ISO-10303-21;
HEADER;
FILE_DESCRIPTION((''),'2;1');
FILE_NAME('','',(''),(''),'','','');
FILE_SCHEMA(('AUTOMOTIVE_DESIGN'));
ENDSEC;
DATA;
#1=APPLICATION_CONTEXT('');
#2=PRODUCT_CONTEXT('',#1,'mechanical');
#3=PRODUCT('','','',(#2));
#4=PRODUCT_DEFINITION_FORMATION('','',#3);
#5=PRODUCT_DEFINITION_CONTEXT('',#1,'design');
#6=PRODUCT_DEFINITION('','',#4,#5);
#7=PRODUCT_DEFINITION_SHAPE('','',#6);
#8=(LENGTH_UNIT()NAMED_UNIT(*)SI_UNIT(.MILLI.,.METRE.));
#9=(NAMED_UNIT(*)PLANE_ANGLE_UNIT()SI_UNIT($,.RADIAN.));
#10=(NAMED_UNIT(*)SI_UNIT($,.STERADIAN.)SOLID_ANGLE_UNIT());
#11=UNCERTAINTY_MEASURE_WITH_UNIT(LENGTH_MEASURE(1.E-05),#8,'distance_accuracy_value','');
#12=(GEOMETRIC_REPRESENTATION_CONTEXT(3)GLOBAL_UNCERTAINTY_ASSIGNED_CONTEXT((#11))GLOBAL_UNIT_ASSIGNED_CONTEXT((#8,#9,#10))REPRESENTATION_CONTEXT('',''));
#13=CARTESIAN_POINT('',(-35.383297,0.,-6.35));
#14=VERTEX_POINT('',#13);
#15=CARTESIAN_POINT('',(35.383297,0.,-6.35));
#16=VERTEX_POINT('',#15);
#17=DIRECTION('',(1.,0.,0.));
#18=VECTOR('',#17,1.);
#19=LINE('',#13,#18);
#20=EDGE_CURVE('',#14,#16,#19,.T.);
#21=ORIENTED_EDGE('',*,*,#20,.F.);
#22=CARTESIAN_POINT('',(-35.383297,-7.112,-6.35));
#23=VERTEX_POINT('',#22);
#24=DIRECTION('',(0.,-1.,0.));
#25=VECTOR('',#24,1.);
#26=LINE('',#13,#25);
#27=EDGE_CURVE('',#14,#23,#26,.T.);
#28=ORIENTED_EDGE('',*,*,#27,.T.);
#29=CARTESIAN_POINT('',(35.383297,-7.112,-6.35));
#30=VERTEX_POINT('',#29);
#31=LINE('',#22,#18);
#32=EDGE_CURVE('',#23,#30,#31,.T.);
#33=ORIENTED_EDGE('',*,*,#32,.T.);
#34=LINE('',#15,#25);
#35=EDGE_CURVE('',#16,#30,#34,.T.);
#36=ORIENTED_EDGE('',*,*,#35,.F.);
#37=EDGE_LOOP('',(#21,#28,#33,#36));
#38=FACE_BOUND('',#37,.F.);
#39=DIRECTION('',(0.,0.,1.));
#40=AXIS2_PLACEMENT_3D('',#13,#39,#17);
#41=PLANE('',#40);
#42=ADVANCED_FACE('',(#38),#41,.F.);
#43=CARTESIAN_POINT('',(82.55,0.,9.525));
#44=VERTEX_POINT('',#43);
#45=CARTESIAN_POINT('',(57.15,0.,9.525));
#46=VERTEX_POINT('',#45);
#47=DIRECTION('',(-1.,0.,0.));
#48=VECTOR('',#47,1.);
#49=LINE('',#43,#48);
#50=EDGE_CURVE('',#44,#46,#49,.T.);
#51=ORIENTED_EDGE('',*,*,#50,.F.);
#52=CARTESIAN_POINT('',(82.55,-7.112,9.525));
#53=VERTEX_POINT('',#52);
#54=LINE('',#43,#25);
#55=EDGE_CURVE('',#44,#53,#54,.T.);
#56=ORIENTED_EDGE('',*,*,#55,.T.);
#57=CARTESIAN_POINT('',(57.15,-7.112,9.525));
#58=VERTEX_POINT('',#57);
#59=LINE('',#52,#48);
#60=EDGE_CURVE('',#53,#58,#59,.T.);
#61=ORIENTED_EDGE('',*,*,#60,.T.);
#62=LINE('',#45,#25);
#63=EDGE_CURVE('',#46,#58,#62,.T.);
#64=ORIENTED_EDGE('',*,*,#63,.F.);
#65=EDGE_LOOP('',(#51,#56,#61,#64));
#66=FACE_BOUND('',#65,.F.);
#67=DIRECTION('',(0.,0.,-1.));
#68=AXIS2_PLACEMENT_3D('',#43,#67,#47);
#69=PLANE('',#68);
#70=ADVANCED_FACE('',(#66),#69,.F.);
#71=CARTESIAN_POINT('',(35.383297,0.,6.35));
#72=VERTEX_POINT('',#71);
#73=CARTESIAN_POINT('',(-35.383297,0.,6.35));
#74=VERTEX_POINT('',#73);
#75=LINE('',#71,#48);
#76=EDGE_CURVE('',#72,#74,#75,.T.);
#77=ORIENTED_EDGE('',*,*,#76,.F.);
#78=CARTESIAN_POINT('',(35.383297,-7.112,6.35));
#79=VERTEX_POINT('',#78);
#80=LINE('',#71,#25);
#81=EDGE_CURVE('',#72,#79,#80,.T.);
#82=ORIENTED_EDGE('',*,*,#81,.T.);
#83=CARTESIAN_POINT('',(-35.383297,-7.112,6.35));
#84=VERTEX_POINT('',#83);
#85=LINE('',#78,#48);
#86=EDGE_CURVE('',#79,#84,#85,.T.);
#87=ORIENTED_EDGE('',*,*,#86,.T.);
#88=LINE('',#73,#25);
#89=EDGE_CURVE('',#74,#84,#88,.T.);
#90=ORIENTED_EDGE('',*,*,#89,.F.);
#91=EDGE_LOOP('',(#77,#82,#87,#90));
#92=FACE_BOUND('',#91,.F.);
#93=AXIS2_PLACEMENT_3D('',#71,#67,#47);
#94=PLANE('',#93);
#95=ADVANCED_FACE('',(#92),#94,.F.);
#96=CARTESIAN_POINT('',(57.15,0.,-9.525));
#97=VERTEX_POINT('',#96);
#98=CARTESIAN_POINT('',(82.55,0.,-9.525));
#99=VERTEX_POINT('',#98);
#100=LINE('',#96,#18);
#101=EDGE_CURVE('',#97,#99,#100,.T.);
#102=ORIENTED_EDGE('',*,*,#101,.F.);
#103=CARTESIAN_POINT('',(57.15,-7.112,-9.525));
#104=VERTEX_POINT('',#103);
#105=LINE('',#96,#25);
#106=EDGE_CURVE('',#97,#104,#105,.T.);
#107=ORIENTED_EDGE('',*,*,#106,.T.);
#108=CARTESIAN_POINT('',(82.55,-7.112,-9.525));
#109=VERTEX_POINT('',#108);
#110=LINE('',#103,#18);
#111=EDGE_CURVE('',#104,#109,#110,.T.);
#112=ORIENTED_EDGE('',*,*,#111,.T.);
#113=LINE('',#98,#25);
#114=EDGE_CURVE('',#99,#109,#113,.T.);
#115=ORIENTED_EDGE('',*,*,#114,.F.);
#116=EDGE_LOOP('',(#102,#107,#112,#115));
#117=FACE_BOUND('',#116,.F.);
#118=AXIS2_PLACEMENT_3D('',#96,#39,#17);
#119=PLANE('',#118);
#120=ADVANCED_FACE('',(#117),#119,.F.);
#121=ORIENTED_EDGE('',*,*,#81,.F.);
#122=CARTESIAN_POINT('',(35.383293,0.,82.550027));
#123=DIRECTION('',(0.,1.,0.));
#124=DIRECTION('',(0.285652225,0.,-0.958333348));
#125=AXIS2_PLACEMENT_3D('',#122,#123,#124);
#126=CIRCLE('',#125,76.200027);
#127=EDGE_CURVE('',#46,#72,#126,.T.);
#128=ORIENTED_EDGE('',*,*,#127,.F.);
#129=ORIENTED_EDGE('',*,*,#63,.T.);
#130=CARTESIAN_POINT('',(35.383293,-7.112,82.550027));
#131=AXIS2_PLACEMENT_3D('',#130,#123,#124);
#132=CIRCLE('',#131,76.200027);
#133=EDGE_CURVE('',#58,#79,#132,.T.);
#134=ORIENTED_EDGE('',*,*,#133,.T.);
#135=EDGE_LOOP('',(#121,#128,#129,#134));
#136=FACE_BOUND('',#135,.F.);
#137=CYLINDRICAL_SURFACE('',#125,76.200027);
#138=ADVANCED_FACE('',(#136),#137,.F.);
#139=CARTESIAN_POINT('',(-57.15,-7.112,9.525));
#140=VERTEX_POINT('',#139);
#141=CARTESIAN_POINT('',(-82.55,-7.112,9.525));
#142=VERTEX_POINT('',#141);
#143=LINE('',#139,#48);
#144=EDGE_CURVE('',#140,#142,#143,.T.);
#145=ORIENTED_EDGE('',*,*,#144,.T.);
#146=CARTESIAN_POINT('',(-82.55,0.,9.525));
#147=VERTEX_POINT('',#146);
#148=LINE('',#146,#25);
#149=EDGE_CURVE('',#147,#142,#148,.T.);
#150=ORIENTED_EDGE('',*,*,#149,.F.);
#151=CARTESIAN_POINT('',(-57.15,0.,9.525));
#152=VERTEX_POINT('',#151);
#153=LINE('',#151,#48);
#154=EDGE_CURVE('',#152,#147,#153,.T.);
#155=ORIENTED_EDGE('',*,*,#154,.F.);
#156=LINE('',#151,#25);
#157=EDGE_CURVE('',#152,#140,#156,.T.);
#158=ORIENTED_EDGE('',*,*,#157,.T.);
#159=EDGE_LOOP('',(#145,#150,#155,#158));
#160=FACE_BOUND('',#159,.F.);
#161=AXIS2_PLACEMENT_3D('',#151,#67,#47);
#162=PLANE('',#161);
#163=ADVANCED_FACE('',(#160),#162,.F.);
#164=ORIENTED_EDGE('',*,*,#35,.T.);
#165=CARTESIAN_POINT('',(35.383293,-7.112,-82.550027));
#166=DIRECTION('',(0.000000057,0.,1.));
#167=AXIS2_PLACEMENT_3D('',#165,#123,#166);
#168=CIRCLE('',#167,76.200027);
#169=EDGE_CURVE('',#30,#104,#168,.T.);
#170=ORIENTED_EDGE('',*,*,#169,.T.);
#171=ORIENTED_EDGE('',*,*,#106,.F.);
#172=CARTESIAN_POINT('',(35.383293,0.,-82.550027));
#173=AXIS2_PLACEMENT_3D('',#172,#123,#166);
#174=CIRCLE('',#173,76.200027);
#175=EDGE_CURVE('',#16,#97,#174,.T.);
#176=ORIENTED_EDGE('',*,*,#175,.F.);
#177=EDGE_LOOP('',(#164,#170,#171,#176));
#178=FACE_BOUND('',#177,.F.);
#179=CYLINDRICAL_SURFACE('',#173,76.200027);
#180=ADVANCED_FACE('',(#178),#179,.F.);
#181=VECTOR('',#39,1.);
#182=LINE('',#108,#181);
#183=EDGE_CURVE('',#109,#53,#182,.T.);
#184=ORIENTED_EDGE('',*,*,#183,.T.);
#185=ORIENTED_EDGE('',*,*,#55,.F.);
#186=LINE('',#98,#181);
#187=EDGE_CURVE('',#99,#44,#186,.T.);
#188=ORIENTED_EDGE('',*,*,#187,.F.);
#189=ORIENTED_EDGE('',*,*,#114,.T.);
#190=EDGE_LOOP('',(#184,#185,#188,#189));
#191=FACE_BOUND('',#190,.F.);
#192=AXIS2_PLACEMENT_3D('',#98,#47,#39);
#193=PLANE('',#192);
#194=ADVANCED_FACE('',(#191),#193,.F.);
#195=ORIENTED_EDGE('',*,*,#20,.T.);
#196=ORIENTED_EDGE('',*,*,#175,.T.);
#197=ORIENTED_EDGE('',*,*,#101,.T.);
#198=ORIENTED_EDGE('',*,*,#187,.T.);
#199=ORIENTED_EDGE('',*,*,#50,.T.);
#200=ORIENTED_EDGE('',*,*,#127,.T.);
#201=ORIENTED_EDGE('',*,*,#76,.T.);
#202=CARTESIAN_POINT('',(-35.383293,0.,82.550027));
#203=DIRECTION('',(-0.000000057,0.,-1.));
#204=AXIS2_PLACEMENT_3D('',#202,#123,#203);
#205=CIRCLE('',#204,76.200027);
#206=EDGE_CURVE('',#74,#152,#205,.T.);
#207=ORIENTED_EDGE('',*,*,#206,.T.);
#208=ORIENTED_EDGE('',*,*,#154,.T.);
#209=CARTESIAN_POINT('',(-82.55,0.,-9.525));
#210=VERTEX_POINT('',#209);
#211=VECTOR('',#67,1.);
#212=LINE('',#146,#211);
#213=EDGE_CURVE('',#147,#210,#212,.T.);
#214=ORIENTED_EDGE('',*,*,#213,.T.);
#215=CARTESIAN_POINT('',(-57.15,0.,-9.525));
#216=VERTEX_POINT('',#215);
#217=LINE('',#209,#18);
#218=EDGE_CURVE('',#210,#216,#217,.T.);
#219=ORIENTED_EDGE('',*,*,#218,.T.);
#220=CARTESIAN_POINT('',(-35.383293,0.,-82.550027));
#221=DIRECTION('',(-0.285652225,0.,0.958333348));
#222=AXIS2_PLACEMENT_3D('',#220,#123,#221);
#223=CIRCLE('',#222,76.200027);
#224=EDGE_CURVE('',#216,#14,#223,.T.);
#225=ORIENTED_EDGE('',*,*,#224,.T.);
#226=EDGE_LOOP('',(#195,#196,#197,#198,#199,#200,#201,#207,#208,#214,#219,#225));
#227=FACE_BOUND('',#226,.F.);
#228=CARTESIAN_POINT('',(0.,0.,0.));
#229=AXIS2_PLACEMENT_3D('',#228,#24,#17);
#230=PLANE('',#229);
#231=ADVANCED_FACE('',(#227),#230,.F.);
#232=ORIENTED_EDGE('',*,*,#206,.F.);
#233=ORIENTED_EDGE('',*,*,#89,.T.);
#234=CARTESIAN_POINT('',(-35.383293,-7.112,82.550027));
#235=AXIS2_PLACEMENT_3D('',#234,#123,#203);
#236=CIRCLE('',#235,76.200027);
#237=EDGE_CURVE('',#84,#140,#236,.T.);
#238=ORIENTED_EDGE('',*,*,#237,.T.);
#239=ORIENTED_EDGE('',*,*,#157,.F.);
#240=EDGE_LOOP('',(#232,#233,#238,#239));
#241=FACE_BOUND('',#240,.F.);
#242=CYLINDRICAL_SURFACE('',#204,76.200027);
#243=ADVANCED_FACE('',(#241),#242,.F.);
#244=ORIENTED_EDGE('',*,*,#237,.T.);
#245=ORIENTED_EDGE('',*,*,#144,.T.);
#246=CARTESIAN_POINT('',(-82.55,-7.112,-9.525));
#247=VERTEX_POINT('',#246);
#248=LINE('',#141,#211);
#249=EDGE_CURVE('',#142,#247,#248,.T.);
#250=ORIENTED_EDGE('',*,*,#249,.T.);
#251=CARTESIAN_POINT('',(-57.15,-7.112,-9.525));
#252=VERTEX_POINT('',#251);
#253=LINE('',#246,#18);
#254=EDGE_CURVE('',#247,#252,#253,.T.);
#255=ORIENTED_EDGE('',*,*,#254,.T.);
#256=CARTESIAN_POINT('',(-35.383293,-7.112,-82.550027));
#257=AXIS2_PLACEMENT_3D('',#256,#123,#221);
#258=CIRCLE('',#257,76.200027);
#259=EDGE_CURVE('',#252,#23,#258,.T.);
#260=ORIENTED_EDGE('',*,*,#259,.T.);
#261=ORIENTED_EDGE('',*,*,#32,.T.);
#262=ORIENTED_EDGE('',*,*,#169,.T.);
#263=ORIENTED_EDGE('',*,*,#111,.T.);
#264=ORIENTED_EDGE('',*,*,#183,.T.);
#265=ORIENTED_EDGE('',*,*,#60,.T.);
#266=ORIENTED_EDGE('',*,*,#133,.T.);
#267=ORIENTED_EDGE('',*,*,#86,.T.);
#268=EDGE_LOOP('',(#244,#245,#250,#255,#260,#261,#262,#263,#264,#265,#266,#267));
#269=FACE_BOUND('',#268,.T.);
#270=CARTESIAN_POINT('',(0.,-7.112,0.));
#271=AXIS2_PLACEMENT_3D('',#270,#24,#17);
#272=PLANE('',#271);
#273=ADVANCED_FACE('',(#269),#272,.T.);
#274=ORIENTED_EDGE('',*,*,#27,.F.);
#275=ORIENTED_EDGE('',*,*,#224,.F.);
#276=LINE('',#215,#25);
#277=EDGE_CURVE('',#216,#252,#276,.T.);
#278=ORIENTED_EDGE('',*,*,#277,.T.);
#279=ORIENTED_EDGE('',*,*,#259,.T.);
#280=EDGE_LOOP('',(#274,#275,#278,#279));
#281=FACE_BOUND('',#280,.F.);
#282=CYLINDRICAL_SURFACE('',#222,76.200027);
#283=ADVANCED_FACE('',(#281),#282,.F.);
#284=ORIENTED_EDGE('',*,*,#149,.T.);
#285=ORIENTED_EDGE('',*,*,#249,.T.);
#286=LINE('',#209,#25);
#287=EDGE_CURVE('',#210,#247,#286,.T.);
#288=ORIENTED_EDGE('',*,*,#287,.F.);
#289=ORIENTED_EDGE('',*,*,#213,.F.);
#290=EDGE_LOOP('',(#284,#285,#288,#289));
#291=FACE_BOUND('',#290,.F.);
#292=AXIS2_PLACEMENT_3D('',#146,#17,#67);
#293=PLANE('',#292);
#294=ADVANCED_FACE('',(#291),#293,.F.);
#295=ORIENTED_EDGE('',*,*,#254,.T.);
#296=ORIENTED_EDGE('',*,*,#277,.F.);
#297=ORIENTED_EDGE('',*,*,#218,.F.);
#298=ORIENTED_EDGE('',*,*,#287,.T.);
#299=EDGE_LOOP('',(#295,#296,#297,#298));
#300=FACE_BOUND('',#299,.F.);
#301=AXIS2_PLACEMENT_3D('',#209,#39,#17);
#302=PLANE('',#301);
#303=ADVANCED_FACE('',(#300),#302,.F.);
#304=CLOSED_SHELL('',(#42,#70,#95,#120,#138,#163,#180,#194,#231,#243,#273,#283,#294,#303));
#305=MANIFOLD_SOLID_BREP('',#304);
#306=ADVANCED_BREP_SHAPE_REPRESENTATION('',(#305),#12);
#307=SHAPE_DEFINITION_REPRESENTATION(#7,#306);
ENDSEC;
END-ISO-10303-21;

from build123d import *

# Parameters (mm, degrees)
F1_DEPTH = 7.112


with BuildPart() as f1:
    # F0 (on Front) → F1 (new body)
    with BuildSketch(Plane.XZ):
        with BuildLine():
            Line((35.383297, 6.35), (0, 6.35))
            Line((0, 6.35), (-35.383297, 6.35))
            ThreePointArc((-35.383297, 6.35), (-46.381819, 7.147928), (-57.15, 9.525))
            Line((-57.15, 9.525), (-82.55, 9.525))
            Line((-82.55, 9.525), (-82.55, -9.525))
            Line((-82.55, -9.525), (-57.15, -9.525))
            ThreePointArc((-57.15, -9.525), (-46.381819, -7.147928), (-35.383297, -6.35))
            Line((-35.383297, -6.35), (0, -6.35))
            Line((0, -6.35), (35.383297, -6.35))
            ThreePointArc((35.383297, -6.35), (46.381819, -7.147928), (57.15, -9.525))
            Line((57.15, -9.525), (82.55, -9.525))
            Line((82.55, -9.525), (82.55, 9.525))
            Line((82.55, 9.525), (57.15, 9.525))
            ThreePointArc((57.15, 9.525), (46.381819, 7.147928), (35.383297, 6.35))
        make_face()
    extrude(amount=F1_DEPTH)


solid = f1.part
